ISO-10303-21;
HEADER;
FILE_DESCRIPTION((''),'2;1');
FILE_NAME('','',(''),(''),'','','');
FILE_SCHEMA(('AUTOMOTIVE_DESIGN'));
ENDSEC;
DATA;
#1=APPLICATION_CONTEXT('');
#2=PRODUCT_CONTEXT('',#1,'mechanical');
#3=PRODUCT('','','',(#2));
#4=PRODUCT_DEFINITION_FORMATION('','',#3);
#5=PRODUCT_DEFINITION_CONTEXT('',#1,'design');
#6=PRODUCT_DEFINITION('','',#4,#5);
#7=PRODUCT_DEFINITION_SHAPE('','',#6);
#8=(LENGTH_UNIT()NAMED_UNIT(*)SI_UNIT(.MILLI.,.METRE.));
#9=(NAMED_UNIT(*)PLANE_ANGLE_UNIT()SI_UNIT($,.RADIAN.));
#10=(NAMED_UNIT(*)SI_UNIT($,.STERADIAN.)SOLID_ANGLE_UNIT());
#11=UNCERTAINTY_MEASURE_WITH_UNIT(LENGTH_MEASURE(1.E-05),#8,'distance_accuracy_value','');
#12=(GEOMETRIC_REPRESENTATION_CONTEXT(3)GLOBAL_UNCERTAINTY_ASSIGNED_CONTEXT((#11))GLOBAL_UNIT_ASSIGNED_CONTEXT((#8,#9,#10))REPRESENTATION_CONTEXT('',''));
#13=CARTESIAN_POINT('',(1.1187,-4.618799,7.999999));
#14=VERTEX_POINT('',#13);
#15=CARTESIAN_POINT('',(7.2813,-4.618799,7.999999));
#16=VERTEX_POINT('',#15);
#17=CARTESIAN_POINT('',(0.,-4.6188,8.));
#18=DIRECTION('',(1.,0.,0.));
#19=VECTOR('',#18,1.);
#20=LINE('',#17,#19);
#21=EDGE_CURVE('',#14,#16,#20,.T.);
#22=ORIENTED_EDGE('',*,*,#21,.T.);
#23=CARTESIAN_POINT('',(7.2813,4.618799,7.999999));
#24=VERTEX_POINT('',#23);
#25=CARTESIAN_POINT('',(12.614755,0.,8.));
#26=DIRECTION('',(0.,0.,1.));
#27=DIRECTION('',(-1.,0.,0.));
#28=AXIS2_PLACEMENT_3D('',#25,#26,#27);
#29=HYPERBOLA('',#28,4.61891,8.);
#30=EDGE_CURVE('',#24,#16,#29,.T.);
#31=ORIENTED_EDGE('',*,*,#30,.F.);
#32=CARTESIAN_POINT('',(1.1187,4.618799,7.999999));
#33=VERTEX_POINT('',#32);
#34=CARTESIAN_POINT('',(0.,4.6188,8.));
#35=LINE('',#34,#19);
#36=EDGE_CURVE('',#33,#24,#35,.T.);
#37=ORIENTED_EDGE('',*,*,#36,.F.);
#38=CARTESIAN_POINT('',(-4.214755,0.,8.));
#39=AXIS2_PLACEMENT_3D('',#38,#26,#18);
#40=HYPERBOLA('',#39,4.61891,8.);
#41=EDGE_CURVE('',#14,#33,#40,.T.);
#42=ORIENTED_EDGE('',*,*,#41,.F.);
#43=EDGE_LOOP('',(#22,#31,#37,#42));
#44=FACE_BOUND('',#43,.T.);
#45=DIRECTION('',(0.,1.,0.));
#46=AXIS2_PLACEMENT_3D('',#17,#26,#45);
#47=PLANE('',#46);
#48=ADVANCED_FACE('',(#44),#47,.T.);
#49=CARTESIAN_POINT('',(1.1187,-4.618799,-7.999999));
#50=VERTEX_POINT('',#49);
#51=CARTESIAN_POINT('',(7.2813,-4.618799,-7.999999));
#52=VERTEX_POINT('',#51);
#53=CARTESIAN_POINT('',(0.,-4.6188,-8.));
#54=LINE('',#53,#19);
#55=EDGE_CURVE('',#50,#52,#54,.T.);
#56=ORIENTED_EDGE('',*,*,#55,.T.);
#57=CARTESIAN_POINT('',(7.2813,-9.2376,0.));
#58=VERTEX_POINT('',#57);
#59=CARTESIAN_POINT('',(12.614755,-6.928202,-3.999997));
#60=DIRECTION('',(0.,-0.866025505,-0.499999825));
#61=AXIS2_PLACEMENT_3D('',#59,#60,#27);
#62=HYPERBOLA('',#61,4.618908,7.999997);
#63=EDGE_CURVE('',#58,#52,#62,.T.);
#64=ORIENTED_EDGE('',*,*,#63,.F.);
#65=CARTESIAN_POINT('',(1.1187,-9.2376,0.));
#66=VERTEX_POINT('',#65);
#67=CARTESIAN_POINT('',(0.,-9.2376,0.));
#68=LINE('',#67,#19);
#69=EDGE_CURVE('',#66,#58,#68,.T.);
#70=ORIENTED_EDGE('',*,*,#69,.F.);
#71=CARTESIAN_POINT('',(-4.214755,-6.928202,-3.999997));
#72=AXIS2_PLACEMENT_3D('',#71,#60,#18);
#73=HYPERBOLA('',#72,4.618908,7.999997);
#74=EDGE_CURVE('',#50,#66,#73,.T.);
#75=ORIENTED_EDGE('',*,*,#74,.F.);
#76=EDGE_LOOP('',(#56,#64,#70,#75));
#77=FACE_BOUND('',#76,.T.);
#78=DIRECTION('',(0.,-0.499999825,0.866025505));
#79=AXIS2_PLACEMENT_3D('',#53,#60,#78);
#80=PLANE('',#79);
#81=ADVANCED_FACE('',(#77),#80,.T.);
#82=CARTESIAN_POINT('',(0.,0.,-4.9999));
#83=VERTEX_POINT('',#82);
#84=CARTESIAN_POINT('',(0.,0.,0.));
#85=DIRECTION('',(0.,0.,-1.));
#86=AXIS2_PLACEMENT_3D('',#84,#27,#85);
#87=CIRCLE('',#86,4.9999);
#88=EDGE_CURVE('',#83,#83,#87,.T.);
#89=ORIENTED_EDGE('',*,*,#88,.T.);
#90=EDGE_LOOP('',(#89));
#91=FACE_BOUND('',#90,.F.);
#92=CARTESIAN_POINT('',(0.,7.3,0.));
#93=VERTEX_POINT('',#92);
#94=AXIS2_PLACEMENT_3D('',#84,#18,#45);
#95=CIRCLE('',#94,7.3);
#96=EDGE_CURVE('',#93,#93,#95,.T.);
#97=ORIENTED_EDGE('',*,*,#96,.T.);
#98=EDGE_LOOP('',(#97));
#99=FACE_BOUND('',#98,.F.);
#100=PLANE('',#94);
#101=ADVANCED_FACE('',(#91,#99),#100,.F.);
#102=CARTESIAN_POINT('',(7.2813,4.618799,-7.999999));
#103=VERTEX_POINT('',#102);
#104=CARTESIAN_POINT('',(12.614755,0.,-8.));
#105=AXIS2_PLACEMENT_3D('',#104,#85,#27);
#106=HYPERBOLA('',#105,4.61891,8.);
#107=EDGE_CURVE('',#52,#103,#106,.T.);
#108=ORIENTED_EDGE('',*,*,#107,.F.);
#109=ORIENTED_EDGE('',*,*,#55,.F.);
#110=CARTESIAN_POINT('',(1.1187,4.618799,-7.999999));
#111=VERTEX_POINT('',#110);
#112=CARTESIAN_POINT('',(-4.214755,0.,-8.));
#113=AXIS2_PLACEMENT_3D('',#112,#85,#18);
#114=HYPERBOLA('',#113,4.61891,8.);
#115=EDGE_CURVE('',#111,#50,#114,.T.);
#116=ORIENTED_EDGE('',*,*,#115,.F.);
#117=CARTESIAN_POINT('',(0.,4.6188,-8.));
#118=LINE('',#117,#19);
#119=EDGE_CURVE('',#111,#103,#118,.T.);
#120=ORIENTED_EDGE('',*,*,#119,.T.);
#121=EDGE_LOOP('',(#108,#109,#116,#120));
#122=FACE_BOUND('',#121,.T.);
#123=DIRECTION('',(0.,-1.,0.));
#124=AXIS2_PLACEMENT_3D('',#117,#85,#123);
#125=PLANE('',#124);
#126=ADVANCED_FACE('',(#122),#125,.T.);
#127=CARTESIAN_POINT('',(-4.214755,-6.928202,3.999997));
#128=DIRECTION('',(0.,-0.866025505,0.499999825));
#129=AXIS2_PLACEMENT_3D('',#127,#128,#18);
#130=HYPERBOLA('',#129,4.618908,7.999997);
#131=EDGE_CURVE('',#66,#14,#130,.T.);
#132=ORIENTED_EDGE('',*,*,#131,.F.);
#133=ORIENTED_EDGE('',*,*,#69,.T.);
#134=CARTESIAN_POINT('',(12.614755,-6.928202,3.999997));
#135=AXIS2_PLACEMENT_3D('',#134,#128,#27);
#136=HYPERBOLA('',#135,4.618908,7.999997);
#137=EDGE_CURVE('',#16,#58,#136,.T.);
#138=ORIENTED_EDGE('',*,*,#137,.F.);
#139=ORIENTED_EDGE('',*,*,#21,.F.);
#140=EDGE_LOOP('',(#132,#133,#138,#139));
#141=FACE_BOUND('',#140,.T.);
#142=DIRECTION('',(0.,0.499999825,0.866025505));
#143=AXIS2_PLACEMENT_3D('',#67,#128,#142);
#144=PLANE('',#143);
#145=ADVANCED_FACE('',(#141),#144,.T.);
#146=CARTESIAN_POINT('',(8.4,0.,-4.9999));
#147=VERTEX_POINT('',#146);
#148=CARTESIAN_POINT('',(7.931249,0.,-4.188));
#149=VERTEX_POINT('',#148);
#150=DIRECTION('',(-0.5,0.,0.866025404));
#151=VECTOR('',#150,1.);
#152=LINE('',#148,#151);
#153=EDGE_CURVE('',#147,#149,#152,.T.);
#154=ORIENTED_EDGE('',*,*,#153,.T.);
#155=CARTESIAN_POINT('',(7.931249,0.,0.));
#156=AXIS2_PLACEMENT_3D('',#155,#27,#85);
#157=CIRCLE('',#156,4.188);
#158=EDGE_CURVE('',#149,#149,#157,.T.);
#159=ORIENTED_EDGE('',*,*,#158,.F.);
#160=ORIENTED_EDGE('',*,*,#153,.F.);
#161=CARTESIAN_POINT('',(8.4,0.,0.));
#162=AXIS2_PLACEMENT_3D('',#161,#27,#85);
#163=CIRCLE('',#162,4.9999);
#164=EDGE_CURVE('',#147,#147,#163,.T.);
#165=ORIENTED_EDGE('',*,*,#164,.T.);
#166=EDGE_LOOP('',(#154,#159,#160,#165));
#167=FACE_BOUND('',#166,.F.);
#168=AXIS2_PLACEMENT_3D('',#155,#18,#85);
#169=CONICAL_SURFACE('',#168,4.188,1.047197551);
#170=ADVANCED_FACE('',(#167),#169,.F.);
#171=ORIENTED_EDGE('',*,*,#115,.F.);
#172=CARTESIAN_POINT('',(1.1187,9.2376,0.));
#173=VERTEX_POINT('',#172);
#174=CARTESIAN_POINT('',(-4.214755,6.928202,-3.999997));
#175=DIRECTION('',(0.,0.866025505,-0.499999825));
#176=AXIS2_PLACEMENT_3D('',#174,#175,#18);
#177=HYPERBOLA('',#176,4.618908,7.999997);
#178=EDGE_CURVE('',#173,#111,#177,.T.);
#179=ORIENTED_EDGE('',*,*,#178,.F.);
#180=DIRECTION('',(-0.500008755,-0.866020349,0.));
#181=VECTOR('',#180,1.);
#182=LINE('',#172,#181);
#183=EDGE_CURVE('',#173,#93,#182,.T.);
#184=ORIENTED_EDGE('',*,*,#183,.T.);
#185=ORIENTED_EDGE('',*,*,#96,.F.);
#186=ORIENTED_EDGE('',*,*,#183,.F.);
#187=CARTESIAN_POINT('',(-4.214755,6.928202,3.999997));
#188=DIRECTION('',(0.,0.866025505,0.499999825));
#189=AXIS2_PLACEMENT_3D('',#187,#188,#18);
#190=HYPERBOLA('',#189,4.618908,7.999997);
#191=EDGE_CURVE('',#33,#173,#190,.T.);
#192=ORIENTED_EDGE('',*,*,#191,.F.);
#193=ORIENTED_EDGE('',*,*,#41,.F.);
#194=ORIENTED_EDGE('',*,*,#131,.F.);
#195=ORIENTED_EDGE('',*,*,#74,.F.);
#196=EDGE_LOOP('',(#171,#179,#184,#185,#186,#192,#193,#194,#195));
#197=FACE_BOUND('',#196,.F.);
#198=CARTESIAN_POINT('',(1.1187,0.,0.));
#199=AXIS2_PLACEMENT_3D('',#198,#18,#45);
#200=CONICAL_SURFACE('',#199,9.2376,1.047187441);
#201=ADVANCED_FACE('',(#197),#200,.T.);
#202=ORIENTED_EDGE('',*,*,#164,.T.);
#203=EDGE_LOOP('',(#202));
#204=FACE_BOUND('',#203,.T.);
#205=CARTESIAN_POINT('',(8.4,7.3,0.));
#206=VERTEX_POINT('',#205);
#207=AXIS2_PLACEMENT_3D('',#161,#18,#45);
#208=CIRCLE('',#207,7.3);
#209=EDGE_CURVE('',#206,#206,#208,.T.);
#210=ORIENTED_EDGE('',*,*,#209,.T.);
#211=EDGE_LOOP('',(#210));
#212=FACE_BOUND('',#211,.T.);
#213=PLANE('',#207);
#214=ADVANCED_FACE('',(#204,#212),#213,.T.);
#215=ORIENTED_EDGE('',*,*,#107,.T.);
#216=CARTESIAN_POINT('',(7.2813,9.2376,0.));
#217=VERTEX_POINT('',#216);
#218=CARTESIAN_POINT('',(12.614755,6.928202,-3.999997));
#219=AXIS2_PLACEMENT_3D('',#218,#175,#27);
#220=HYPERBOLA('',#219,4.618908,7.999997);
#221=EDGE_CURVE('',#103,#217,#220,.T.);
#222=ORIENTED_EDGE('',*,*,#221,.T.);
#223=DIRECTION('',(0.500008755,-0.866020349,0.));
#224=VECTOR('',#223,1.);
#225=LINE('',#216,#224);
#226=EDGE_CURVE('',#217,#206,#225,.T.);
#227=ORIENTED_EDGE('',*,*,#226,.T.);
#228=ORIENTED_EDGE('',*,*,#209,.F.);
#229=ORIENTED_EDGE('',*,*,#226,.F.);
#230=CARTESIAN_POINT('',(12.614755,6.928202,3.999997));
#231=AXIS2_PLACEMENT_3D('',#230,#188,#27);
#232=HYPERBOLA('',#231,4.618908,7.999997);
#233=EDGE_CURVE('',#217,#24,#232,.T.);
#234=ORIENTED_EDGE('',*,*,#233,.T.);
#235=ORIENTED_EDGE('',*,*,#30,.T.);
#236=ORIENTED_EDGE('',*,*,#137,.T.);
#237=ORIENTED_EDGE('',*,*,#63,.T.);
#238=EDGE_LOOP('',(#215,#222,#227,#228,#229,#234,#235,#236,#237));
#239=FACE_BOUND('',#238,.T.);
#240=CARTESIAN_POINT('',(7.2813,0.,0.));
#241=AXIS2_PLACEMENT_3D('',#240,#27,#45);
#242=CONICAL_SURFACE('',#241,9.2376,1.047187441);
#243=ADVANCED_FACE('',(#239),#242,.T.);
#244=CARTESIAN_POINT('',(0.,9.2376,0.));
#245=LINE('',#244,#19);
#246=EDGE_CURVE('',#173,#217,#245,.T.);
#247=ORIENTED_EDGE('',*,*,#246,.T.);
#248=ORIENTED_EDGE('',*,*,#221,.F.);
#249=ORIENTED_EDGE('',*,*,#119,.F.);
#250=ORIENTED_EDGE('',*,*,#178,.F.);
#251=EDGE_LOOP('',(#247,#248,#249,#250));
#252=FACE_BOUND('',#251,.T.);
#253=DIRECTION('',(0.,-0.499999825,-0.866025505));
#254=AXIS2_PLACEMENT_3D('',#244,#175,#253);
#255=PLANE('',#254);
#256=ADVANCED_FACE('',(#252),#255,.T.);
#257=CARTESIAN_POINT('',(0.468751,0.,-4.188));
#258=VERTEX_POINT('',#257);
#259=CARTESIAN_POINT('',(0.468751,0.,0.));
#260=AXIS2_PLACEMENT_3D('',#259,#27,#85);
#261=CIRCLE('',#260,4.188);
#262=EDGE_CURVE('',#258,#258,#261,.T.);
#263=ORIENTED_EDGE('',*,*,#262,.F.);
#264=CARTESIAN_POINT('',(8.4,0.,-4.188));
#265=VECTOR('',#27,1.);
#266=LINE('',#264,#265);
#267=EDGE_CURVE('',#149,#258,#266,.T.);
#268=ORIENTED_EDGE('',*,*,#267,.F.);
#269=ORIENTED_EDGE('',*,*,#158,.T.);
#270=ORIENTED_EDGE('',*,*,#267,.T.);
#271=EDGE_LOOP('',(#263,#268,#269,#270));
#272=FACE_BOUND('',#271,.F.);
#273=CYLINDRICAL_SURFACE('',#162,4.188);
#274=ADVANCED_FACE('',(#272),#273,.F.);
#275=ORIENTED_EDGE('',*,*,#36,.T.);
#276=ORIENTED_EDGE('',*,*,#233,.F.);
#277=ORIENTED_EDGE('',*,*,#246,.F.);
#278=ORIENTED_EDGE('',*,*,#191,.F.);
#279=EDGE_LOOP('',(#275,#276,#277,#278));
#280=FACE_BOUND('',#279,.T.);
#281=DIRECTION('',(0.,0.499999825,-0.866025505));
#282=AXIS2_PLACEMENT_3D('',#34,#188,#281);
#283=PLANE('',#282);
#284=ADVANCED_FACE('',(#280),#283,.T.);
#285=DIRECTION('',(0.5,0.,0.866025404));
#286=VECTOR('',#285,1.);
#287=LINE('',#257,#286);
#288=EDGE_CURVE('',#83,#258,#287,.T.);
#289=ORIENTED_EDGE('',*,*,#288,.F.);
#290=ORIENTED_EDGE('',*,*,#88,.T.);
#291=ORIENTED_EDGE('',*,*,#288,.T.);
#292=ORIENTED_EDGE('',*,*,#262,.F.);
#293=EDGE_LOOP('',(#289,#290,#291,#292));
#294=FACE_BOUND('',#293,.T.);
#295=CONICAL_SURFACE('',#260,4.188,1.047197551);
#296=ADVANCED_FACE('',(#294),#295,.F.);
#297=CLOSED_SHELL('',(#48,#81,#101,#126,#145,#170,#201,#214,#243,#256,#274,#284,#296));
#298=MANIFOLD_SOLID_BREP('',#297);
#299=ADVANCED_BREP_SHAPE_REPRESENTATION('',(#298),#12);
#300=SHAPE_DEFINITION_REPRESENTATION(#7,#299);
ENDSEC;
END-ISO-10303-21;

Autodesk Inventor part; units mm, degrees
ref_plane "YZ Plane" through (0, 0, 0) normal (1, 0, 0) x (0, 1, 0)
ref_plane "XZ Plane" through (0, 0, 0) normal (0, 1, 0) x (-1, 0, 0)
sketch "Sketch1" plane through (0, 0, 0) normal (1, 0, 0) x (0, 1, 0)
  line L0 (-9.2376, 0) -> (-4.6188, 8)
  line L1 (-4.6188, 8) -> (4.6188, 8)
  line L2 (4.6188, 8) -> (9.2376, 0)
  line L3 (9.2376, 0) -> (4.6188, -8)
  line L4 (4.6188, -8) -> (-4.6188, -8)
  line L5 (-4.6188, -8) -> (-9.2376, 0)
  point P0 (0, 0)
  point P1 (0, 0)
  dimension "d0" = 18.4752
extrude "Body" add sketch "Sketch1" along normal blind 8.4
sketch "Sketch2" plane through (0, 0, 0) normal (0, 0, 1) x (1, 0, 0)
  line L0 (0, 4.6188) -> (0, 9.2376) projected
  line L1 (0, 9.2376) -> (8.4, 9.2376) projected
  line L2 (8.4, 4.6188) -> (8.4, 9.2376) projected
  line L3 (-1.68, 0) -> (10.08, 0) projected
  line L4 (1.1187, 9.2376) -> (0, 7.3)
  line L5 (7.2813, 9.2376) -> (8.4, 7.3)
  dimension "d3" = 30
  dimension "d4" = 30
  dimension "d5" = 14.6
  dimension "d6" = 14.6
revolve "Chamfer1" cut sketch "Sketch2" angle 360 about axis through (-10, 0, 0) along (1, 0, 0)
sketch "Sketch3" plane through (8.4, 0, 0) normal (1, 0, 0) x (0, 0, -1)
  arc A0 (-0.625, -1.0825) -> (0.625, -1.0825) centre (0, 0) ccw projected
hole "Thread" at (8.4, 0, 0) direction (-1, 0, 0) diameter 8.376 end through all thread size "M10x1.5" class "6H" standard "ISO Metric profile"
chamfer "Chamfer2" distance 0.8119 angle 30 1 edges at (8.4, 0, 4.188) measured on face at (8.4, 6.1818, -0.7506)
chamfer "Chamfer3" distance 0.8119 angle 30 1 edges at (0, 0, 4.188) measured on face at (0, 6.1818, -0.7506)
ref_plane "Work Plane1" through (-17.5863, 0, 0) normal (0, -0.866, -0.5) x (1, 0, 0)
equation "\"d0\" = 1.1547 * SW"
equation "\"d1\" = KOH"
equation "\"d3\" = ANG1"
equation "\"d4\" = ANG2"
equation "\"d5\" = SW0"
equation "\"d6\" = SW01"
equation "\"d8\" = -0.5 * GD1 + 0.5 * NND"
equation "\"d40\" = -0.5 * GD1 + 0.5 * NND"
equation "\"d10\" = -0.5 * GD1 + 0.5 * NND"
equation "\"d41\" = -0.5 * GD1 + 0.5 * NND"
equation "\"ANG1\" = 30deg"
equation "\"ANG2\" = 30deg"
equation "\"KOH\" = 8.4"
equation "\"SW\" = 16"
equation "\"SW0\" = 14.6"
equation "\"SW01\" = 14.6"
equation "\"GUL\" = 0.541266 * PTC"
equation "\"TOA\" = 30deg"
equation "\"PTC\" = 1.5"
equation "\"E0\" = 1.155 * SW"
equation "\"GAL\" = 0.541266 * PTC"
equation "\"GD1\" = 8.376202"
equation "\"NND\" = 10"
properties part number "ISO 4032 - M10" material "Stainless Steel, 440C"
